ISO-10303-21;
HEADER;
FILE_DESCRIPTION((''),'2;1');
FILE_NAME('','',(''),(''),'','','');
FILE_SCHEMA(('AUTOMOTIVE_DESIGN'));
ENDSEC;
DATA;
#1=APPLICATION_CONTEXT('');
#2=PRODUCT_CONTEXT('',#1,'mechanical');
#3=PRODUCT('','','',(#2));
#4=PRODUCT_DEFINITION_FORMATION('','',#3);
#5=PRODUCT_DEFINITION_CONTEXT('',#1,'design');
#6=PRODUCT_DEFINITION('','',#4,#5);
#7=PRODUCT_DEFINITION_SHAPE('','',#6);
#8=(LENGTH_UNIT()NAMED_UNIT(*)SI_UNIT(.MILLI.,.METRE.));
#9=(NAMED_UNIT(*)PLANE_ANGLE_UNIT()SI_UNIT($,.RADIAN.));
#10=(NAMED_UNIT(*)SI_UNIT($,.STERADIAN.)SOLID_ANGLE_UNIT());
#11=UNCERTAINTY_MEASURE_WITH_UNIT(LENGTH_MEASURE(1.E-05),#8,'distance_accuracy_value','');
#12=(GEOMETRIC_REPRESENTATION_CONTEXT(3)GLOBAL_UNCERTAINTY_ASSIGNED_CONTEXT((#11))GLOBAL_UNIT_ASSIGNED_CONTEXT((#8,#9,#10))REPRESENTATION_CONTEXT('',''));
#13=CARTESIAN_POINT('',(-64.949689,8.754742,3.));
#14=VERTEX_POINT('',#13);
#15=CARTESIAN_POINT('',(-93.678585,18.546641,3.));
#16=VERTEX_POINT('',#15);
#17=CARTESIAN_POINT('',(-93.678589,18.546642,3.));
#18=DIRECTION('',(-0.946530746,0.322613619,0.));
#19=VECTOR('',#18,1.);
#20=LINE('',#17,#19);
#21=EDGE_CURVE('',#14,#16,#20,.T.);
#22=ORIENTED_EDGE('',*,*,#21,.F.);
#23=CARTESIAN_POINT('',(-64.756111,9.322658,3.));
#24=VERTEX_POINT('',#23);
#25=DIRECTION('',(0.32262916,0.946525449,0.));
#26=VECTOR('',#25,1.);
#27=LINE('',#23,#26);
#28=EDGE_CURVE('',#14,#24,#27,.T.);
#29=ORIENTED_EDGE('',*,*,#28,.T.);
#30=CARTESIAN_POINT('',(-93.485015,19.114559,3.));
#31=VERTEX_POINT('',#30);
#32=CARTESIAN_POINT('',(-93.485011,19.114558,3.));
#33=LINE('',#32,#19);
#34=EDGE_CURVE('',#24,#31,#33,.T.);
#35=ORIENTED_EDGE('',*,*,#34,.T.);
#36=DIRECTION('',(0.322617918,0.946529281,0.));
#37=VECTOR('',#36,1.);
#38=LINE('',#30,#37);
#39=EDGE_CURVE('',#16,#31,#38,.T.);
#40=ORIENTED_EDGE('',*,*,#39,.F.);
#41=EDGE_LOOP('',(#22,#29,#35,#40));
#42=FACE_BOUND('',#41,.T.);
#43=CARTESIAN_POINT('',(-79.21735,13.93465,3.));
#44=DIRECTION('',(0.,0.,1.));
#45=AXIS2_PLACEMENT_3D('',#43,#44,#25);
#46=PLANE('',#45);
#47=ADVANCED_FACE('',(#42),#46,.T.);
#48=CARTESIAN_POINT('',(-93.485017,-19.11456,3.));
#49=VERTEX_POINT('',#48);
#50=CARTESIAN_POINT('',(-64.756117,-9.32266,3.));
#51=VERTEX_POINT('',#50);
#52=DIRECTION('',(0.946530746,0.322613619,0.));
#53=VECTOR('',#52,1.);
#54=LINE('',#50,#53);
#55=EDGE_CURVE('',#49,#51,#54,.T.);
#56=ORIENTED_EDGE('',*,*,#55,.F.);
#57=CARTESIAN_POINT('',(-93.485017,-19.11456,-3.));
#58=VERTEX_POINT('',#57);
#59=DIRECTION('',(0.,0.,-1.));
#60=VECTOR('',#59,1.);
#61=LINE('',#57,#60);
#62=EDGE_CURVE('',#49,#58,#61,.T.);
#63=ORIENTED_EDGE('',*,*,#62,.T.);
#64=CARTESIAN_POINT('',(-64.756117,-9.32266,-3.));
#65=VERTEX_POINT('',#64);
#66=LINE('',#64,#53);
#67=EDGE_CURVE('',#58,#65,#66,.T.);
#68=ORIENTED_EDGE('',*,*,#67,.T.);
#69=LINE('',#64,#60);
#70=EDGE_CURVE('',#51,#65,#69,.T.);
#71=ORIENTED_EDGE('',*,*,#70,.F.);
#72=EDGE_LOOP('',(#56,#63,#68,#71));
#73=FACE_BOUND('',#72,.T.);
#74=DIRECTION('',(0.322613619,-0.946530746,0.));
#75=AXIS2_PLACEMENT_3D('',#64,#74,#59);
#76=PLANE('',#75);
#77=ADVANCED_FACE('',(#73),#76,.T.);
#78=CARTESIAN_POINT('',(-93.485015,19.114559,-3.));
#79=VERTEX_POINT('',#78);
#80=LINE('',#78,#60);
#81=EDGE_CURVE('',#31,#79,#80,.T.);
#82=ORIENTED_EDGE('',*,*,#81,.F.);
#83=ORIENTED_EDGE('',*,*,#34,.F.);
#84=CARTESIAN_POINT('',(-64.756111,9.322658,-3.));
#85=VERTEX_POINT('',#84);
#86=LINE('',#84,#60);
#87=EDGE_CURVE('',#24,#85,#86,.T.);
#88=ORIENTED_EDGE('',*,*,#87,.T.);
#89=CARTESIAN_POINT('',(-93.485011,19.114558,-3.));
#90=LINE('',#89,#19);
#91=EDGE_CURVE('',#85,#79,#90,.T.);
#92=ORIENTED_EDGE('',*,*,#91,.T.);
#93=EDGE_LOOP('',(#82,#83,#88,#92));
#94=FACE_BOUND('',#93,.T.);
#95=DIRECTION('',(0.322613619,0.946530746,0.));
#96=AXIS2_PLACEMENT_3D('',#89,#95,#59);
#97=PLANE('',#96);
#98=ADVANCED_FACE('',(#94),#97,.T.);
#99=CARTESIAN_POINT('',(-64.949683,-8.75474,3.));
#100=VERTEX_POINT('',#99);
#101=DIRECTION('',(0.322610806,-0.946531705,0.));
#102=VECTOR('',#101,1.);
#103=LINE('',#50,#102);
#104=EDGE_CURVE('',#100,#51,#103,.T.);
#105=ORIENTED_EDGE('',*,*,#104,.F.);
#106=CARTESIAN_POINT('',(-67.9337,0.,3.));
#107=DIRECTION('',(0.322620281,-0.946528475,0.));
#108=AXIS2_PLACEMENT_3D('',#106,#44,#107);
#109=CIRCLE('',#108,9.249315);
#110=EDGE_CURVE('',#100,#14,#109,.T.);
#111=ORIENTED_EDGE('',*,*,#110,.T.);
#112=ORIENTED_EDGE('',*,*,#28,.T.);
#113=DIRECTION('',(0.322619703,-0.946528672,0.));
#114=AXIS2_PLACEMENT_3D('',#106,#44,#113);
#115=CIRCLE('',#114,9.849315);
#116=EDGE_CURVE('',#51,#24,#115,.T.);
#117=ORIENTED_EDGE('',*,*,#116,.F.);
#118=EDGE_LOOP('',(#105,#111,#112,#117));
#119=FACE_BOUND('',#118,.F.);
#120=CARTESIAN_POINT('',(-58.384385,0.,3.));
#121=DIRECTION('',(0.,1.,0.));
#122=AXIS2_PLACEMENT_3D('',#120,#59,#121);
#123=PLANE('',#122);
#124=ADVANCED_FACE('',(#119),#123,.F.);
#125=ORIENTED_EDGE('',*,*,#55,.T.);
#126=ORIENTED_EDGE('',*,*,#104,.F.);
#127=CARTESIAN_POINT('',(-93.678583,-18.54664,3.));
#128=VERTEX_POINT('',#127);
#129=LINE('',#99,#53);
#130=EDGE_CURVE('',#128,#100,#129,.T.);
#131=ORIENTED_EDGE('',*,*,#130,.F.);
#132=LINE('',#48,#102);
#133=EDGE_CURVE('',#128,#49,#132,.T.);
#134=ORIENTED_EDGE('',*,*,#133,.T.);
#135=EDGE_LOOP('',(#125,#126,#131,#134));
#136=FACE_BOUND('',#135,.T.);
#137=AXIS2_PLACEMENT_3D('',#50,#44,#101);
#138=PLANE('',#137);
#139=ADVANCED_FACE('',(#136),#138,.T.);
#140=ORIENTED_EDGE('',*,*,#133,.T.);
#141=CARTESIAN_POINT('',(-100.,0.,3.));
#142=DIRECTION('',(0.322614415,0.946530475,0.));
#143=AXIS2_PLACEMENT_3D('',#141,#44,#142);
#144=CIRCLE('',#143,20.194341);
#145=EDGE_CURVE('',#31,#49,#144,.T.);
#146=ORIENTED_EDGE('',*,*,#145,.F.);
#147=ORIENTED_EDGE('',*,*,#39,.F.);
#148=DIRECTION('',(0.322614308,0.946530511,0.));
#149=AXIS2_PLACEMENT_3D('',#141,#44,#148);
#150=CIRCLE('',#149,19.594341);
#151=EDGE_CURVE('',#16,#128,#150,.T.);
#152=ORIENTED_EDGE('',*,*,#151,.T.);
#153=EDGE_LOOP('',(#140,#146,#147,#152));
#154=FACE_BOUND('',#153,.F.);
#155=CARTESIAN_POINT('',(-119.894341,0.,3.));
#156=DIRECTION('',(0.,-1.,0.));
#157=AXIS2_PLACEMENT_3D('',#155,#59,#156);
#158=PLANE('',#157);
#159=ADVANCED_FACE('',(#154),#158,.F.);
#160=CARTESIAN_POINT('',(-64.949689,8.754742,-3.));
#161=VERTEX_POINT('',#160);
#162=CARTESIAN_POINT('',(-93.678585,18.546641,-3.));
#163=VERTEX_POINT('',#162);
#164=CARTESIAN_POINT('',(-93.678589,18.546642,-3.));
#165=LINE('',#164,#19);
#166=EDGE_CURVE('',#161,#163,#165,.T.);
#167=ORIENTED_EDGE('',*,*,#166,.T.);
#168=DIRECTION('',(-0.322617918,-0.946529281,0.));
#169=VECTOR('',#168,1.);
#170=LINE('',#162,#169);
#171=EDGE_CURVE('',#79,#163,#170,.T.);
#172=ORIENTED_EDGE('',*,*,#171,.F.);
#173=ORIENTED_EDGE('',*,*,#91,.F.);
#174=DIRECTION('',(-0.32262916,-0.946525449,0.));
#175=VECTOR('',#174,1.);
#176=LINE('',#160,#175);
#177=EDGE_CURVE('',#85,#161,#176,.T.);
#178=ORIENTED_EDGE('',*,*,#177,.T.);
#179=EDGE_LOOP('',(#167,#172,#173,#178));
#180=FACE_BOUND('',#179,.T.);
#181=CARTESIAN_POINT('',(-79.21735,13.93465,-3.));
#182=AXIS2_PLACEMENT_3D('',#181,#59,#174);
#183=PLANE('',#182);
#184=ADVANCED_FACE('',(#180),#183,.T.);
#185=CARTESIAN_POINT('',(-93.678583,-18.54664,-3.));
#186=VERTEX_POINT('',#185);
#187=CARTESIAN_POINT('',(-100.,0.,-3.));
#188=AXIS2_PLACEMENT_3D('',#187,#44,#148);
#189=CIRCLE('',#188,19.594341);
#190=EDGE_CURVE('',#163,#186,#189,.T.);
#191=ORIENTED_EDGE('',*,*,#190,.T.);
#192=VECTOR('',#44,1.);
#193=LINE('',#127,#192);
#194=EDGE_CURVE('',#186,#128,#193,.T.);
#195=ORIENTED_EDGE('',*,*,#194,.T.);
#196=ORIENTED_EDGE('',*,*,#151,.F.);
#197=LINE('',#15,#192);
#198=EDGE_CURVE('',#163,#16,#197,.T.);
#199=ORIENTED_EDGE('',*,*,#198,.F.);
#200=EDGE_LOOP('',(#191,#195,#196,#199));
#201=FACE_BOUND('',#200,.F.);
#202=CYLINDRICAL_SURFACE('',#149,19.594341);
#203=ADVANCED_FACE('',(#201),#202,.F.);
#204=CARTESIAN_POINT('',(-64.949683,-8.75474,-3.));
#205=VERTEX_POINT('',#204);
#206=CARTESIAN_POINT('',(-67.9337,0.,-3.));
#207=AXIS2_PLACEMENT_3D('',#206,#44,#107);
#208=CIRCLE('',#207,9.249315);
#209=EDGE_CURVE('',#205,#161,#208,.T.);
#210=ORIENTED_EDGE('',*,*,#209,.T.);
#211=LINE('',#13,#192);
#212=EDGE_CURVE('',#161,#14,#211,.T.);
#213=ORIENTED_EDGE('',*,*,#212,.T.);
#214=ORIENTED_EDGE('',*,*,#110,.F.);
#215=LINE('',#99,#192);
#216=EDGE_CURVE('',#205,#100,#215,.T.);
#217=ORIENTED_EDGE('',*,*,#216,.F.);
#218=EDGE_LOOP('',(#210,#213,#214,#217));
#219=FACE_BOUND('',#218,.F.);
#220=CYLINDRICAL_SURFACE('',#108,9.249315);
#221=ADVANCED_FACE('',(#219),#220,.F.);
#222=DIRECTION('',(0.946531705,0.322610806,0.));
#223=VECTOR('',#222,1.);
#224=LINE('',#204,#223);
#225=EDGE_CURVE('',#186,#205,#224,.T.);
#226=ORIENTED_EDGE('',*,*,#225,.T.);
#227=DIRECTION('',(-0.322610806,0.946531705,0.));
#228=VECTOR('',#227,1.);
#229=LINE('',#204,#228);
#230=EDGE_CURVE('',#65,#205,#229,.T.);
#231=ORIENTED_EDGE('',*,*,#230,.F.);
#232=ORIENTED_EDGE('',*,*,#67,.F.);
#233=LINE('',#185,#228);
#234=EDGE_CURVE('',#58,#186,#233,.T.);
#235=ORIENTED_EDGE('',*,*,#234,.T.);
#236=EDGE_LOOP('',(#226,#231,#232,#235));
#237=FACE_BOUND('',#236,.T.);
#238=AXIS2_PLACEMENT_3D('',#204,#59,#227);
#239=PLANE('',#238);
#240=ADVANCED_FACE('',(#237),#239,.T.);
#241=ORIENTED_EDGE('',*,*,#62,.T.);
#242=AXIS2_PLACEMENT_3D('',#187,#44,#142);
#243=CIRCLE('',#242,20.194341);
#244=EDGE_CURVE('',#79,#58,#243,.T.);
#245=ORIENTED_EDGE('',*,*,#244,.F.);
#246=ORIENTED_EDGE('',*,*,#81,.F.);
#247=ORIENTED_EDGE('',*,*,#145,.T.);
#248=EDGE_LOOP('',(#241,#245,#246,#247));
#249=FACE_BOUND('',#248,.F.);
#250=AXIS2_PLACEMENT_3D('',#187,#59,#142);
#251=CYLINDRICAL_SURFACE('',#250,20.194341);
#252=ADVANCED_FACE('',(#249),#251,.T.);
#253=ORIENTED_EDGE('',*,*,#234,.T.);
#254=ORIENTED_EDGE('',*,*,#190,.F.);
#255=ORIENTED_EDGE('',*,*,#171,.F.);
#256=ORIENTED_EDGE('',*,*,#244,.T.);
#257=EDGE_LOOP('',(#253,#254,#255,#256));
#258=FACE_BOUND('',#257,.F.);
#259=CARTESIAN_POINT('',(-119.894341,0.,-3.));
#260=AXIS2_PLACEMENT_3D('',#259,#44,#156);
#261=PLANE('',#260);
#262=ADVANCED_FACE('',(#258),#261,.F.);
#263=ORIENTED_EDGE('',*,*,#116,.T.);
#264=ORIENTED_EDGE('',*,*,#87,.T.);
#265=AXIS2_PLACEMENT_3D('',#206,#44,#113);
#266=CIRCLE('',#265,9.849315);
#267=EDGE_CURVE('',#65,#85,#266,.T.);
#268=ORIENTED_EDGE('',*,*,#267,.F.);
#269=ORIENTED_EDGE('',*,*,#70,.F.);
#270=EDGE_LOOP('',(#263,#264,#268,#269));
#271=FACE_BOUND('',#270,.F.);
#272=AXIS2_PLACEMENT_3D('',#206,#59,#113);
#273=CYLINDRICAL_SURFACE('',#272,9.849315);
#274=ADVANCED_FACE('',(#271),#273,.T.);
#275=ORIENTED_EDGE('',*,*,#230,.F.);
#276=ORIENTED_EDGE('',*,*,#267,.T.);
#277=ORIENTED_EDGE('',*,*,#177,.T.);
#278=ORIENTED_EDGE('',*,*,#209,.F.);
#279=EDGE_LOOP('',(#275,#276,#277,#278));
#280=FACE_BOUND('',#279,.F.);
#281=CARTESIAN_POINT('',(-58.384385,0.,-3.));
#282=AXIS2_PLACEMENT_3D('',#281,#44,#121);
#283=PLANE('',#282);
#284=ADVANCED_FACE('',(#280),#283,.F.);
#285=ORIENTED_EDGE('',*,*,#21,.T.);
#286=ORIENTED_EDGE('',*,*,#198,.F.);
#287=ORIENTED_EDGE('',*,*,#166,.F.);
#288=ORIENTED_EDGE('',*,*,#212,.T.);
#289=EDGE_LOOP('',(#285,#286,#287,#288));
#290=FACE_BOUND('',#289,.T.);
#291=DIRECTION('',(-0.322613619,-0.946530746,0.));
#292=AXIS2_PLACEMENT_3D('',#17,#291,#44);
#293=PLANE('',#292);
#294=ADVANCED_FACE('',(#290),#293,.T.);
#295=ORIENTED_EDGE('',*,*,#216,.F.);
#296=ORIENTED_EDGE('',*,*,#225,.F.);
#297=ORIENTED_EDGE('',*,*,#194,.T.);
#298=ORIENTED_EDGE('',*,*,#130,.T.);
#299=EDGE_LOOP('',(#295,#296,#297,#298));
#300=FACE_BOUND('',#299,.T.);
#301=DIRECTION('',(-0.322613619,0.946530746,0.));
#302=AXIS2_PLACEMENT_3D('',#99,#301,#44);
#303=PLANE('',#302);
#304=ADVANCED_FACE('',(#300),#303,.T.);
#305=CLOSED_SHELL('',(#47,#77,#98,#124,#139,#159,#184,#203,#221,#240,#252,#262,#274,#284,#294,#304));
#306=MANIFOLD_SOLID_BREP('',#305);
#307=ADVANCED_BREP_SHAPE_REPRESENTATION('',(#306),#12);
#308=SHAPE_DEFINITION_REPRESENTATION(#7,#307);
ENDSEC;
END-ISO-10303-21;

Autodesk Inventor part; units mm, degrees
sketch "Skizzenpfad" plane through (0, 0, 0) normal (0, 0, 1) x (1, 0, 0)
  arc A0 (-93.5818, 18.8306) -> (-93.5818, -18.8306) centre (-100, 0) ccw
  arc A1 (-64.8529, -9.0387) -> (-64.8529, 9.0387) centre (-67.9337, 0) ccw
  line L0 (-64.8529, -9.0387) -> (-93.5818, -18.8306)
  line L1 (-93.5818, 18.8306) -> (-64.8529, 9.0387)
ref_plane "Querschnittsebene" through (-93.5818, -18.8306, 0) normal (0.9465, 0.3226, 0) x (0, 0, 1)
ref_plane "Arbeitsebene2" through (-100, 0, 0) normal (-1, 0, 0) x (0, 0, 1)
ref_plane "Arbeitsebene3" through (-67.9337, 0, 0) normal (-0.9239, 0.3827, 0) x (0, 0, 1)
sketch "Querschnitt" plane through (-93.5818, -18.8306, 0) normal (0.9465, 0.3226, 0) x (0, 0, 1)
  line L0 (-3, 0.3) -> (3, 0.3)
  line L1 (3, 0.3) -> (3, -0.3)
  line L2 (3, -0.3) -> (-3, -0.3)
  line L3 (-3, -0.3) -> (-3, 0.3)
  line L4 (-3, 0) -> (3, 0) construction
  point P0 (0, 0)
  point P1 (0, 0)
  dimension "d0" = 6
  dimension "d4" = 0.3
  dimension "d5" = 0.3
sweep "Riemen" add profiles "Querschnitt" path "Skizzenpfad"
equation "\"d0\" = da_B"
equation "\"d4\" = da_a"
equation "\"d5\" = da_a2"
equation "\"da_B\" = 6"
equation "\"da_pb\" = 2.5"
equation "\"da_a\" = 0.3"
equation "\"da_S\" = 1.5"
equation "\"da_Beta\" = 20deg"
equation "\"da_Ht\" = 0.7"
equation "\"da_H\" = 1.3"
equation "\"da_a2\" = 0.3"
properties part number "Zahnriemen" material "Rubber"
